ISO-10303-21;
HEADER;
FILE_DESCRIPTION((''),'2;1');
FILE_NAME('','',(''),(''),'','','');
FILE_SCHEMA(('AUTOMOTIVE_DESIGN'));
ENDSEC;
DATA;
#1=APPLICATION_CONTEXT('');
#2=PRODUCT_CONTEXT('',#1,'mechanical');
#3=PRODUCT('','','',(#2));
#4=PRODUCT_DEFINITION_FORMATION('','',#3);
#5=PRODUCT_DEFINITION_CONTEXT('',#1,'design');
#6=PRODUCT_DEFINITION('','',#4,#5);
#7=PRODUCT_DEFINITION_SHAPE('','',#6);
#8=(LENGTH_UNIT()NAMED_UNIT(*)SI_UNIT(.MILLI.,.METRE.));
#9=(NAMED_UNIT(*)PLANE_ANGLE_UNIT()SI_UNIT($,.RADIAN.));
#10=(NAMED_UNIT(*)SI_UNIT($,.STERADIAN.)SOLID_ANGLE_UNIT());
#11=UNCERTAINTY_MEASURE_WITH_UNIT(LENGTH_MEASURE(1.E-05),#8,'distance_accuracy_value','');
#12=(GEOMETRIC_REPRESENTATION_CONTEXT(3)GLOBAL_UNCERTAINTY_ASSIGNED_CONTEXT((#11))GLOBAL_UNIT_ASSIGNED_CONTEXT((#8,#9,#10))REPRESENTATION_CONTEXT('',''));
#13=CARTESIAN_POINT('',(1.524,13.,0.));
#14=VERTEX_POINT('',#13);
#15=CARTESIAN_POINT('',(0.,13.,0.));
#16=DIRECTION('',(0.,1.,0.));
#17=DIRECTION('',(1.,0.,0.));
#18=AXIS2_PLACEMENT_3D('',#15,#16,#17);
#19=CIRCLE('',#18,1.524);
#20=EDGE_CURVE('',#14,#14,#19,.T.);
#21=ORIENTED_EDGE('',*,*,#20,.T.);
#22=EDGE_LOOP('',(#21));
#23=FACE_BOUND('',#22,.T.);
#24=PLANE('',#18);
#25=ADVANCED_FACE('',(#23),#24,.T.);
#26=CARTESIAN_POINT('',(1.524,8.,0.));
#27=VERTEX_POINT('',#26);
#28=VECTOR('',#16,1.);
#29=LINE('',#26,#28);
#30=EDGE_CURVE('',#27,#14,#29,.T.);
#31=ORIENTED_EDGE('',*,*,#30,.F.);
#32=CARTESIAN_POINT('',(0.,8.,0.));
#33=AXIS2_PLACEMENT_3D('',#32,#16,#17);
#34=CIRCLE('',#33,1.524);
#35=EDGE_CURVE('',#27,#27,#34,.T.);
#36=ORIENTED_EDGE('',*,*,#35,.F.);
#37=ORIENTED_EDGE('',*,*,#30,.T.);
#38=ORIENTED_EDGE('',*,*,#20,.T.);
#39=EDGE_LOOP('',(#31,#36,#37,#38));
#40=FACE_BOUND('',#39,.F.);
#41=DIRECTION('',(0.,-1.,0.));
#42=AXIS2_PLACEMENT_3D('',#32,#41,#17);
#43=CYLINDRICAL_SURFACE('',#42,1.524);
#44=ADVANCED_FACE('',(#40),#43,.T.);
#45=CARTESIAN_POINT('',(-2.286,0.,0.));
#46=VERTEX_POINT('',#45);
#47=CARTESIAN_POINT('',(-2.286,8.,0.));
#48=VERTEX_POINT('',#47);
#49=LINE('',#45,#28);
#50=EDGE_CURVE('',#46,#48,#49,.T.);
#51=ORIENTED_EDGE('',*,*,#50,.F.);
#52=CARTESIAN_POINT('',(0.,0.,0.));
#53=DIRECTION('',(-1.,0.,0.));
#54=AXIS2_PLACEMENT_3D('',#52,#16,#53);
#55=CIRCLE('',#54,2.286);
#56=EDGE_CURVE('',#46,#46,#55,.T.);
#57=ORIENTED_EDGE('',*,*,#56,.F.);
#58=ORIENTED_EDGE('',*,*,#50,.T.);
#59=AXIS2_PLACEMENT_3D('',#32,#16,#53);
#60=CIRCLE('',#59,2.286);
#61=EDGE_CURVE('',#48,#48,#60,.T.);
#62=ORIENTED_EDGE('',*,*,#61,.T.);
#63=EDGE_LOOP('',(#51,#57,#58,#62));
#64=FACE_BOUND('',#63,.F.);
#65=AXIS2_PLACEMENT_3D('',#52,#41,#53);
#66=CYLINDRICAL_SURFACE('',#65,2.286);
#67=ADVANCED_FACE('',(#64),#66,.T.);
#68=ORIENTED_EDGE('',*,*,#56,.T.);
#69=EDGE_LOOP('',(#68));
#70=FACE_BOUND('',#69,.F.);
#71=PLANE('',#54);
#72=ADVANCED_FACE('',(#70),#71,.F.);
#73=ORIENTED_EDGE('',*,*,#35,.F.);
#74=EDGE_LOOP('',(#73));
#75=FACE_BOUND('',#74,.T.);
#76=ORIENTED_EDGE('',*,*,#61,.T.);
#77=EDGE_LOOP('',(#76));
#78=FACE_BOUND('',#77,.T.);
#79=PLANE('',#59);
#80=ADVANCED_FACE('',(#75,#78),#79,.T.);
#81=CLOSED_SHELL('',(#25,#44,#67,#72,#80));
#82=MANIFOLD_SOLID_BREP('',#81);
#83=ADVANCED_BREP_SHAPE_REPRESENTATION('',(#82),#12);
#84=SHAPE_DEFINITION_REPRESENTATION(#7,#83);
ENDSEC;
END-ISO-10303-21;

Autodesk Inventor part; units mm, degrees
ref_plane "YZ Plane" through (0, 0, 0) normal (1, 0, 0) x (0, 1, 0)
ref_plane "XZ Plane" through (0, 0, 0) normal (0, 1, 0) x (-1, 0, 0)
ref_plane "XY Plane" through (0, 0, 0) normal (0, 0, 1) x (1, 0, 0)
sketch "Sketch1" plane through (0, 0, 0) normal (0, 1, 0) x (-1, 0, 0)
  circle A0 centre (0, 0) radius 2.286
  dimension "d0" = 4.572
extrude "Extrusion1" add sketch "Sketch1" along normal blind 8
sketch "Sketch3" plane through (0, 8, 0) normal (0, 1, 0) x (1, 0, 0)
  circle A0 centre (0, 0) radius 1.524
  dimension "d7" = 3.048
extrude "Extrusion3" add sketch "Sketch3" along normal blind 5
properties part number "ArduinoCaseResetButton"
